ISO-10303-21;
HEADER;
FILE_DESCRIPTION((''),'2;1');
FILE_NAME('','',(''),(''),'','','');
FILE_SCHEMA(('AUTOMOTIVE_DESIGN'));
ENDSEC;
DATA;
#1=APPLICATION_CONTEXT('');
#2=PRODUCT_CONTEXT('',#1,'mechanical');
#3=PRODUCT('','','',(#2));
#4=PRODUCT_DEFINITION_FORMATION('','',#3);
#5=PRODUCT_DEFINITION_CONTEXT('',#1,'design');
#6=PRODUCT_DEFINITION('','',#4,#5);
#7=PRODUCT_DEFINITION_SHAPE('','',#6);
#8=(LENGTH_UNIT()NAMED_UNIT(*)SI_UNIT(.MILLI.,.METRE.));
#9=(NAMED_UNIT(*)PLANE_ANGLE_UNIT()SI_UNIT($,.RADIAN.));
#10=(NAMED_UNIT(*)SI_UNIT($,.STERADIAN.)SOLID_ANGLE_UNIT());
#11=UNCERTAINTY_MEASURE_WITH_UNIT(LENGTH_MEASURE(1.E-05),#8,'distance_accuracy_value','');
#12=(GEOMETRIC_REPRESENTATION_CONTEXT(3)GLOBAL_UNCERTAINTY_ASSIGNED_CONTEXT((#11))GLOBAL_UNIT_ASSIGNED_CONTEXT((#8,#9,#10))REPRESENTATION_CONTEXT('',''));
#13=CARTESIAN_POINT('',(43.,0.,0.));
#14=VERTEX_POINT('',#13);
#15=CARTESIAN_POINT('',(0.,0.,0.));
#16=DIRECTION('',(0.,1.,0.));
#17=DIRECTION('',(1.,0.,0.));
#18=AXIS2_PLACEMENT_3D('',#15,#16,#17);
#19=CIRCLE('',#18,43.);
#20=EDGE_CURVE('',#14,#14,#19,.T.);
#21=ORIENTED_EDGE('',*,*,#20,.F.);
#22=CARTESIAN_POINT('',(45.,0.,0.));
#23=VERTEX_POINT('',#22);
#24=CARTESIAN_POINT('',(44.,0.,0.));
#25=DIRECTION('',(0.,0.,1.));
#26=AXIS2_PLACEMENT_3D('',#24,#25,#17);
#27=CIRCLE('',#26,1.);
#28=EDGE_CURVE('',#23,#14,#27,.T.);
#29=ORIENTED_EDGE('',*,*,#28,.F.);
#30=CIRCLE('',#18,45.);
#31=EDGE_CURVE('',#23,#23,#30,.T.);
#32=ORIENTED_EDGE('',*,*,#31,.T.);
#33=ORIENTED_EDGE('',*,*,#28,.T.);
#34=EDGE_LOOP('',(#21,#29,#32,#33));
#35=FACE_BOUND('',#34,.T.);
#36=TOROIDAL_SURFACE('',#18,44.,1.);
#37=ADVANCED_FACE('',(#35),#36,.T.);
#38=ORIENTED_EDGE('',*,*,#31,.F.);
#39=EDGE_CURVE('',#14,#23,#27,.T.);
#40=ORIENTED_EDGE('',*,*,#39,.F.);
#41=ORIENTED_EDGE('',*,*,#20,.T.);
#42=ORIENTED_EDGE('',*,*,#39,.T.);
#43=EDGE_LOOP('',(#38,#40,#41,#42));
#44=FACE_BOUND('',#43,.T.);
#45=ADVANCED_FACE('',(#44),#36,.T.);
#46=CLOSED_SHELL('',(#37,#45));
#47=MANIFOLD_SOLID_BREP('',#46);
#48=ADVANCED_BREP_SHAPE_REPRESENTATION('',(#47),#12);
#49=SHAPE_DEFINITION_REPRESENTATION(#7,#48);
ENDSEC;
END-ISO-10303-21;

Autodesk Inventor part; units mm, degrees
ref_plane "YZ Plane" through (0, 0, 0) normal (1, 0, 0) x (0, 1, 0)
ref_plane "XZ Plane" through (0, 0, 0) normal (0, 1, 0) x (-1, 0, 0)
ref_plane "XY Plane" through (0, 0, 0) normal (0, 0, 1) x (1, 0, 0)
sketch "Эскиз1" plane through (0, 0, 0) normal (0, 0, 1) x (1, 0, 0)
  line L0 (0, 0) -> (44, 0)
  circle A0 centre (44, 0) radius 1
  line L1 (0, -1.4) -> (0, 1.4) projected
  dimension "d0" = 44
  dimension "d1" = 2
revolve "Вращение1" add sketch "Эскиз1" angle 360 about axis through (0, -10, 0) along (0, 1, 0)
properties part number "Пружина сальника" material "Сталь, высокопрочная, низколегированная"
